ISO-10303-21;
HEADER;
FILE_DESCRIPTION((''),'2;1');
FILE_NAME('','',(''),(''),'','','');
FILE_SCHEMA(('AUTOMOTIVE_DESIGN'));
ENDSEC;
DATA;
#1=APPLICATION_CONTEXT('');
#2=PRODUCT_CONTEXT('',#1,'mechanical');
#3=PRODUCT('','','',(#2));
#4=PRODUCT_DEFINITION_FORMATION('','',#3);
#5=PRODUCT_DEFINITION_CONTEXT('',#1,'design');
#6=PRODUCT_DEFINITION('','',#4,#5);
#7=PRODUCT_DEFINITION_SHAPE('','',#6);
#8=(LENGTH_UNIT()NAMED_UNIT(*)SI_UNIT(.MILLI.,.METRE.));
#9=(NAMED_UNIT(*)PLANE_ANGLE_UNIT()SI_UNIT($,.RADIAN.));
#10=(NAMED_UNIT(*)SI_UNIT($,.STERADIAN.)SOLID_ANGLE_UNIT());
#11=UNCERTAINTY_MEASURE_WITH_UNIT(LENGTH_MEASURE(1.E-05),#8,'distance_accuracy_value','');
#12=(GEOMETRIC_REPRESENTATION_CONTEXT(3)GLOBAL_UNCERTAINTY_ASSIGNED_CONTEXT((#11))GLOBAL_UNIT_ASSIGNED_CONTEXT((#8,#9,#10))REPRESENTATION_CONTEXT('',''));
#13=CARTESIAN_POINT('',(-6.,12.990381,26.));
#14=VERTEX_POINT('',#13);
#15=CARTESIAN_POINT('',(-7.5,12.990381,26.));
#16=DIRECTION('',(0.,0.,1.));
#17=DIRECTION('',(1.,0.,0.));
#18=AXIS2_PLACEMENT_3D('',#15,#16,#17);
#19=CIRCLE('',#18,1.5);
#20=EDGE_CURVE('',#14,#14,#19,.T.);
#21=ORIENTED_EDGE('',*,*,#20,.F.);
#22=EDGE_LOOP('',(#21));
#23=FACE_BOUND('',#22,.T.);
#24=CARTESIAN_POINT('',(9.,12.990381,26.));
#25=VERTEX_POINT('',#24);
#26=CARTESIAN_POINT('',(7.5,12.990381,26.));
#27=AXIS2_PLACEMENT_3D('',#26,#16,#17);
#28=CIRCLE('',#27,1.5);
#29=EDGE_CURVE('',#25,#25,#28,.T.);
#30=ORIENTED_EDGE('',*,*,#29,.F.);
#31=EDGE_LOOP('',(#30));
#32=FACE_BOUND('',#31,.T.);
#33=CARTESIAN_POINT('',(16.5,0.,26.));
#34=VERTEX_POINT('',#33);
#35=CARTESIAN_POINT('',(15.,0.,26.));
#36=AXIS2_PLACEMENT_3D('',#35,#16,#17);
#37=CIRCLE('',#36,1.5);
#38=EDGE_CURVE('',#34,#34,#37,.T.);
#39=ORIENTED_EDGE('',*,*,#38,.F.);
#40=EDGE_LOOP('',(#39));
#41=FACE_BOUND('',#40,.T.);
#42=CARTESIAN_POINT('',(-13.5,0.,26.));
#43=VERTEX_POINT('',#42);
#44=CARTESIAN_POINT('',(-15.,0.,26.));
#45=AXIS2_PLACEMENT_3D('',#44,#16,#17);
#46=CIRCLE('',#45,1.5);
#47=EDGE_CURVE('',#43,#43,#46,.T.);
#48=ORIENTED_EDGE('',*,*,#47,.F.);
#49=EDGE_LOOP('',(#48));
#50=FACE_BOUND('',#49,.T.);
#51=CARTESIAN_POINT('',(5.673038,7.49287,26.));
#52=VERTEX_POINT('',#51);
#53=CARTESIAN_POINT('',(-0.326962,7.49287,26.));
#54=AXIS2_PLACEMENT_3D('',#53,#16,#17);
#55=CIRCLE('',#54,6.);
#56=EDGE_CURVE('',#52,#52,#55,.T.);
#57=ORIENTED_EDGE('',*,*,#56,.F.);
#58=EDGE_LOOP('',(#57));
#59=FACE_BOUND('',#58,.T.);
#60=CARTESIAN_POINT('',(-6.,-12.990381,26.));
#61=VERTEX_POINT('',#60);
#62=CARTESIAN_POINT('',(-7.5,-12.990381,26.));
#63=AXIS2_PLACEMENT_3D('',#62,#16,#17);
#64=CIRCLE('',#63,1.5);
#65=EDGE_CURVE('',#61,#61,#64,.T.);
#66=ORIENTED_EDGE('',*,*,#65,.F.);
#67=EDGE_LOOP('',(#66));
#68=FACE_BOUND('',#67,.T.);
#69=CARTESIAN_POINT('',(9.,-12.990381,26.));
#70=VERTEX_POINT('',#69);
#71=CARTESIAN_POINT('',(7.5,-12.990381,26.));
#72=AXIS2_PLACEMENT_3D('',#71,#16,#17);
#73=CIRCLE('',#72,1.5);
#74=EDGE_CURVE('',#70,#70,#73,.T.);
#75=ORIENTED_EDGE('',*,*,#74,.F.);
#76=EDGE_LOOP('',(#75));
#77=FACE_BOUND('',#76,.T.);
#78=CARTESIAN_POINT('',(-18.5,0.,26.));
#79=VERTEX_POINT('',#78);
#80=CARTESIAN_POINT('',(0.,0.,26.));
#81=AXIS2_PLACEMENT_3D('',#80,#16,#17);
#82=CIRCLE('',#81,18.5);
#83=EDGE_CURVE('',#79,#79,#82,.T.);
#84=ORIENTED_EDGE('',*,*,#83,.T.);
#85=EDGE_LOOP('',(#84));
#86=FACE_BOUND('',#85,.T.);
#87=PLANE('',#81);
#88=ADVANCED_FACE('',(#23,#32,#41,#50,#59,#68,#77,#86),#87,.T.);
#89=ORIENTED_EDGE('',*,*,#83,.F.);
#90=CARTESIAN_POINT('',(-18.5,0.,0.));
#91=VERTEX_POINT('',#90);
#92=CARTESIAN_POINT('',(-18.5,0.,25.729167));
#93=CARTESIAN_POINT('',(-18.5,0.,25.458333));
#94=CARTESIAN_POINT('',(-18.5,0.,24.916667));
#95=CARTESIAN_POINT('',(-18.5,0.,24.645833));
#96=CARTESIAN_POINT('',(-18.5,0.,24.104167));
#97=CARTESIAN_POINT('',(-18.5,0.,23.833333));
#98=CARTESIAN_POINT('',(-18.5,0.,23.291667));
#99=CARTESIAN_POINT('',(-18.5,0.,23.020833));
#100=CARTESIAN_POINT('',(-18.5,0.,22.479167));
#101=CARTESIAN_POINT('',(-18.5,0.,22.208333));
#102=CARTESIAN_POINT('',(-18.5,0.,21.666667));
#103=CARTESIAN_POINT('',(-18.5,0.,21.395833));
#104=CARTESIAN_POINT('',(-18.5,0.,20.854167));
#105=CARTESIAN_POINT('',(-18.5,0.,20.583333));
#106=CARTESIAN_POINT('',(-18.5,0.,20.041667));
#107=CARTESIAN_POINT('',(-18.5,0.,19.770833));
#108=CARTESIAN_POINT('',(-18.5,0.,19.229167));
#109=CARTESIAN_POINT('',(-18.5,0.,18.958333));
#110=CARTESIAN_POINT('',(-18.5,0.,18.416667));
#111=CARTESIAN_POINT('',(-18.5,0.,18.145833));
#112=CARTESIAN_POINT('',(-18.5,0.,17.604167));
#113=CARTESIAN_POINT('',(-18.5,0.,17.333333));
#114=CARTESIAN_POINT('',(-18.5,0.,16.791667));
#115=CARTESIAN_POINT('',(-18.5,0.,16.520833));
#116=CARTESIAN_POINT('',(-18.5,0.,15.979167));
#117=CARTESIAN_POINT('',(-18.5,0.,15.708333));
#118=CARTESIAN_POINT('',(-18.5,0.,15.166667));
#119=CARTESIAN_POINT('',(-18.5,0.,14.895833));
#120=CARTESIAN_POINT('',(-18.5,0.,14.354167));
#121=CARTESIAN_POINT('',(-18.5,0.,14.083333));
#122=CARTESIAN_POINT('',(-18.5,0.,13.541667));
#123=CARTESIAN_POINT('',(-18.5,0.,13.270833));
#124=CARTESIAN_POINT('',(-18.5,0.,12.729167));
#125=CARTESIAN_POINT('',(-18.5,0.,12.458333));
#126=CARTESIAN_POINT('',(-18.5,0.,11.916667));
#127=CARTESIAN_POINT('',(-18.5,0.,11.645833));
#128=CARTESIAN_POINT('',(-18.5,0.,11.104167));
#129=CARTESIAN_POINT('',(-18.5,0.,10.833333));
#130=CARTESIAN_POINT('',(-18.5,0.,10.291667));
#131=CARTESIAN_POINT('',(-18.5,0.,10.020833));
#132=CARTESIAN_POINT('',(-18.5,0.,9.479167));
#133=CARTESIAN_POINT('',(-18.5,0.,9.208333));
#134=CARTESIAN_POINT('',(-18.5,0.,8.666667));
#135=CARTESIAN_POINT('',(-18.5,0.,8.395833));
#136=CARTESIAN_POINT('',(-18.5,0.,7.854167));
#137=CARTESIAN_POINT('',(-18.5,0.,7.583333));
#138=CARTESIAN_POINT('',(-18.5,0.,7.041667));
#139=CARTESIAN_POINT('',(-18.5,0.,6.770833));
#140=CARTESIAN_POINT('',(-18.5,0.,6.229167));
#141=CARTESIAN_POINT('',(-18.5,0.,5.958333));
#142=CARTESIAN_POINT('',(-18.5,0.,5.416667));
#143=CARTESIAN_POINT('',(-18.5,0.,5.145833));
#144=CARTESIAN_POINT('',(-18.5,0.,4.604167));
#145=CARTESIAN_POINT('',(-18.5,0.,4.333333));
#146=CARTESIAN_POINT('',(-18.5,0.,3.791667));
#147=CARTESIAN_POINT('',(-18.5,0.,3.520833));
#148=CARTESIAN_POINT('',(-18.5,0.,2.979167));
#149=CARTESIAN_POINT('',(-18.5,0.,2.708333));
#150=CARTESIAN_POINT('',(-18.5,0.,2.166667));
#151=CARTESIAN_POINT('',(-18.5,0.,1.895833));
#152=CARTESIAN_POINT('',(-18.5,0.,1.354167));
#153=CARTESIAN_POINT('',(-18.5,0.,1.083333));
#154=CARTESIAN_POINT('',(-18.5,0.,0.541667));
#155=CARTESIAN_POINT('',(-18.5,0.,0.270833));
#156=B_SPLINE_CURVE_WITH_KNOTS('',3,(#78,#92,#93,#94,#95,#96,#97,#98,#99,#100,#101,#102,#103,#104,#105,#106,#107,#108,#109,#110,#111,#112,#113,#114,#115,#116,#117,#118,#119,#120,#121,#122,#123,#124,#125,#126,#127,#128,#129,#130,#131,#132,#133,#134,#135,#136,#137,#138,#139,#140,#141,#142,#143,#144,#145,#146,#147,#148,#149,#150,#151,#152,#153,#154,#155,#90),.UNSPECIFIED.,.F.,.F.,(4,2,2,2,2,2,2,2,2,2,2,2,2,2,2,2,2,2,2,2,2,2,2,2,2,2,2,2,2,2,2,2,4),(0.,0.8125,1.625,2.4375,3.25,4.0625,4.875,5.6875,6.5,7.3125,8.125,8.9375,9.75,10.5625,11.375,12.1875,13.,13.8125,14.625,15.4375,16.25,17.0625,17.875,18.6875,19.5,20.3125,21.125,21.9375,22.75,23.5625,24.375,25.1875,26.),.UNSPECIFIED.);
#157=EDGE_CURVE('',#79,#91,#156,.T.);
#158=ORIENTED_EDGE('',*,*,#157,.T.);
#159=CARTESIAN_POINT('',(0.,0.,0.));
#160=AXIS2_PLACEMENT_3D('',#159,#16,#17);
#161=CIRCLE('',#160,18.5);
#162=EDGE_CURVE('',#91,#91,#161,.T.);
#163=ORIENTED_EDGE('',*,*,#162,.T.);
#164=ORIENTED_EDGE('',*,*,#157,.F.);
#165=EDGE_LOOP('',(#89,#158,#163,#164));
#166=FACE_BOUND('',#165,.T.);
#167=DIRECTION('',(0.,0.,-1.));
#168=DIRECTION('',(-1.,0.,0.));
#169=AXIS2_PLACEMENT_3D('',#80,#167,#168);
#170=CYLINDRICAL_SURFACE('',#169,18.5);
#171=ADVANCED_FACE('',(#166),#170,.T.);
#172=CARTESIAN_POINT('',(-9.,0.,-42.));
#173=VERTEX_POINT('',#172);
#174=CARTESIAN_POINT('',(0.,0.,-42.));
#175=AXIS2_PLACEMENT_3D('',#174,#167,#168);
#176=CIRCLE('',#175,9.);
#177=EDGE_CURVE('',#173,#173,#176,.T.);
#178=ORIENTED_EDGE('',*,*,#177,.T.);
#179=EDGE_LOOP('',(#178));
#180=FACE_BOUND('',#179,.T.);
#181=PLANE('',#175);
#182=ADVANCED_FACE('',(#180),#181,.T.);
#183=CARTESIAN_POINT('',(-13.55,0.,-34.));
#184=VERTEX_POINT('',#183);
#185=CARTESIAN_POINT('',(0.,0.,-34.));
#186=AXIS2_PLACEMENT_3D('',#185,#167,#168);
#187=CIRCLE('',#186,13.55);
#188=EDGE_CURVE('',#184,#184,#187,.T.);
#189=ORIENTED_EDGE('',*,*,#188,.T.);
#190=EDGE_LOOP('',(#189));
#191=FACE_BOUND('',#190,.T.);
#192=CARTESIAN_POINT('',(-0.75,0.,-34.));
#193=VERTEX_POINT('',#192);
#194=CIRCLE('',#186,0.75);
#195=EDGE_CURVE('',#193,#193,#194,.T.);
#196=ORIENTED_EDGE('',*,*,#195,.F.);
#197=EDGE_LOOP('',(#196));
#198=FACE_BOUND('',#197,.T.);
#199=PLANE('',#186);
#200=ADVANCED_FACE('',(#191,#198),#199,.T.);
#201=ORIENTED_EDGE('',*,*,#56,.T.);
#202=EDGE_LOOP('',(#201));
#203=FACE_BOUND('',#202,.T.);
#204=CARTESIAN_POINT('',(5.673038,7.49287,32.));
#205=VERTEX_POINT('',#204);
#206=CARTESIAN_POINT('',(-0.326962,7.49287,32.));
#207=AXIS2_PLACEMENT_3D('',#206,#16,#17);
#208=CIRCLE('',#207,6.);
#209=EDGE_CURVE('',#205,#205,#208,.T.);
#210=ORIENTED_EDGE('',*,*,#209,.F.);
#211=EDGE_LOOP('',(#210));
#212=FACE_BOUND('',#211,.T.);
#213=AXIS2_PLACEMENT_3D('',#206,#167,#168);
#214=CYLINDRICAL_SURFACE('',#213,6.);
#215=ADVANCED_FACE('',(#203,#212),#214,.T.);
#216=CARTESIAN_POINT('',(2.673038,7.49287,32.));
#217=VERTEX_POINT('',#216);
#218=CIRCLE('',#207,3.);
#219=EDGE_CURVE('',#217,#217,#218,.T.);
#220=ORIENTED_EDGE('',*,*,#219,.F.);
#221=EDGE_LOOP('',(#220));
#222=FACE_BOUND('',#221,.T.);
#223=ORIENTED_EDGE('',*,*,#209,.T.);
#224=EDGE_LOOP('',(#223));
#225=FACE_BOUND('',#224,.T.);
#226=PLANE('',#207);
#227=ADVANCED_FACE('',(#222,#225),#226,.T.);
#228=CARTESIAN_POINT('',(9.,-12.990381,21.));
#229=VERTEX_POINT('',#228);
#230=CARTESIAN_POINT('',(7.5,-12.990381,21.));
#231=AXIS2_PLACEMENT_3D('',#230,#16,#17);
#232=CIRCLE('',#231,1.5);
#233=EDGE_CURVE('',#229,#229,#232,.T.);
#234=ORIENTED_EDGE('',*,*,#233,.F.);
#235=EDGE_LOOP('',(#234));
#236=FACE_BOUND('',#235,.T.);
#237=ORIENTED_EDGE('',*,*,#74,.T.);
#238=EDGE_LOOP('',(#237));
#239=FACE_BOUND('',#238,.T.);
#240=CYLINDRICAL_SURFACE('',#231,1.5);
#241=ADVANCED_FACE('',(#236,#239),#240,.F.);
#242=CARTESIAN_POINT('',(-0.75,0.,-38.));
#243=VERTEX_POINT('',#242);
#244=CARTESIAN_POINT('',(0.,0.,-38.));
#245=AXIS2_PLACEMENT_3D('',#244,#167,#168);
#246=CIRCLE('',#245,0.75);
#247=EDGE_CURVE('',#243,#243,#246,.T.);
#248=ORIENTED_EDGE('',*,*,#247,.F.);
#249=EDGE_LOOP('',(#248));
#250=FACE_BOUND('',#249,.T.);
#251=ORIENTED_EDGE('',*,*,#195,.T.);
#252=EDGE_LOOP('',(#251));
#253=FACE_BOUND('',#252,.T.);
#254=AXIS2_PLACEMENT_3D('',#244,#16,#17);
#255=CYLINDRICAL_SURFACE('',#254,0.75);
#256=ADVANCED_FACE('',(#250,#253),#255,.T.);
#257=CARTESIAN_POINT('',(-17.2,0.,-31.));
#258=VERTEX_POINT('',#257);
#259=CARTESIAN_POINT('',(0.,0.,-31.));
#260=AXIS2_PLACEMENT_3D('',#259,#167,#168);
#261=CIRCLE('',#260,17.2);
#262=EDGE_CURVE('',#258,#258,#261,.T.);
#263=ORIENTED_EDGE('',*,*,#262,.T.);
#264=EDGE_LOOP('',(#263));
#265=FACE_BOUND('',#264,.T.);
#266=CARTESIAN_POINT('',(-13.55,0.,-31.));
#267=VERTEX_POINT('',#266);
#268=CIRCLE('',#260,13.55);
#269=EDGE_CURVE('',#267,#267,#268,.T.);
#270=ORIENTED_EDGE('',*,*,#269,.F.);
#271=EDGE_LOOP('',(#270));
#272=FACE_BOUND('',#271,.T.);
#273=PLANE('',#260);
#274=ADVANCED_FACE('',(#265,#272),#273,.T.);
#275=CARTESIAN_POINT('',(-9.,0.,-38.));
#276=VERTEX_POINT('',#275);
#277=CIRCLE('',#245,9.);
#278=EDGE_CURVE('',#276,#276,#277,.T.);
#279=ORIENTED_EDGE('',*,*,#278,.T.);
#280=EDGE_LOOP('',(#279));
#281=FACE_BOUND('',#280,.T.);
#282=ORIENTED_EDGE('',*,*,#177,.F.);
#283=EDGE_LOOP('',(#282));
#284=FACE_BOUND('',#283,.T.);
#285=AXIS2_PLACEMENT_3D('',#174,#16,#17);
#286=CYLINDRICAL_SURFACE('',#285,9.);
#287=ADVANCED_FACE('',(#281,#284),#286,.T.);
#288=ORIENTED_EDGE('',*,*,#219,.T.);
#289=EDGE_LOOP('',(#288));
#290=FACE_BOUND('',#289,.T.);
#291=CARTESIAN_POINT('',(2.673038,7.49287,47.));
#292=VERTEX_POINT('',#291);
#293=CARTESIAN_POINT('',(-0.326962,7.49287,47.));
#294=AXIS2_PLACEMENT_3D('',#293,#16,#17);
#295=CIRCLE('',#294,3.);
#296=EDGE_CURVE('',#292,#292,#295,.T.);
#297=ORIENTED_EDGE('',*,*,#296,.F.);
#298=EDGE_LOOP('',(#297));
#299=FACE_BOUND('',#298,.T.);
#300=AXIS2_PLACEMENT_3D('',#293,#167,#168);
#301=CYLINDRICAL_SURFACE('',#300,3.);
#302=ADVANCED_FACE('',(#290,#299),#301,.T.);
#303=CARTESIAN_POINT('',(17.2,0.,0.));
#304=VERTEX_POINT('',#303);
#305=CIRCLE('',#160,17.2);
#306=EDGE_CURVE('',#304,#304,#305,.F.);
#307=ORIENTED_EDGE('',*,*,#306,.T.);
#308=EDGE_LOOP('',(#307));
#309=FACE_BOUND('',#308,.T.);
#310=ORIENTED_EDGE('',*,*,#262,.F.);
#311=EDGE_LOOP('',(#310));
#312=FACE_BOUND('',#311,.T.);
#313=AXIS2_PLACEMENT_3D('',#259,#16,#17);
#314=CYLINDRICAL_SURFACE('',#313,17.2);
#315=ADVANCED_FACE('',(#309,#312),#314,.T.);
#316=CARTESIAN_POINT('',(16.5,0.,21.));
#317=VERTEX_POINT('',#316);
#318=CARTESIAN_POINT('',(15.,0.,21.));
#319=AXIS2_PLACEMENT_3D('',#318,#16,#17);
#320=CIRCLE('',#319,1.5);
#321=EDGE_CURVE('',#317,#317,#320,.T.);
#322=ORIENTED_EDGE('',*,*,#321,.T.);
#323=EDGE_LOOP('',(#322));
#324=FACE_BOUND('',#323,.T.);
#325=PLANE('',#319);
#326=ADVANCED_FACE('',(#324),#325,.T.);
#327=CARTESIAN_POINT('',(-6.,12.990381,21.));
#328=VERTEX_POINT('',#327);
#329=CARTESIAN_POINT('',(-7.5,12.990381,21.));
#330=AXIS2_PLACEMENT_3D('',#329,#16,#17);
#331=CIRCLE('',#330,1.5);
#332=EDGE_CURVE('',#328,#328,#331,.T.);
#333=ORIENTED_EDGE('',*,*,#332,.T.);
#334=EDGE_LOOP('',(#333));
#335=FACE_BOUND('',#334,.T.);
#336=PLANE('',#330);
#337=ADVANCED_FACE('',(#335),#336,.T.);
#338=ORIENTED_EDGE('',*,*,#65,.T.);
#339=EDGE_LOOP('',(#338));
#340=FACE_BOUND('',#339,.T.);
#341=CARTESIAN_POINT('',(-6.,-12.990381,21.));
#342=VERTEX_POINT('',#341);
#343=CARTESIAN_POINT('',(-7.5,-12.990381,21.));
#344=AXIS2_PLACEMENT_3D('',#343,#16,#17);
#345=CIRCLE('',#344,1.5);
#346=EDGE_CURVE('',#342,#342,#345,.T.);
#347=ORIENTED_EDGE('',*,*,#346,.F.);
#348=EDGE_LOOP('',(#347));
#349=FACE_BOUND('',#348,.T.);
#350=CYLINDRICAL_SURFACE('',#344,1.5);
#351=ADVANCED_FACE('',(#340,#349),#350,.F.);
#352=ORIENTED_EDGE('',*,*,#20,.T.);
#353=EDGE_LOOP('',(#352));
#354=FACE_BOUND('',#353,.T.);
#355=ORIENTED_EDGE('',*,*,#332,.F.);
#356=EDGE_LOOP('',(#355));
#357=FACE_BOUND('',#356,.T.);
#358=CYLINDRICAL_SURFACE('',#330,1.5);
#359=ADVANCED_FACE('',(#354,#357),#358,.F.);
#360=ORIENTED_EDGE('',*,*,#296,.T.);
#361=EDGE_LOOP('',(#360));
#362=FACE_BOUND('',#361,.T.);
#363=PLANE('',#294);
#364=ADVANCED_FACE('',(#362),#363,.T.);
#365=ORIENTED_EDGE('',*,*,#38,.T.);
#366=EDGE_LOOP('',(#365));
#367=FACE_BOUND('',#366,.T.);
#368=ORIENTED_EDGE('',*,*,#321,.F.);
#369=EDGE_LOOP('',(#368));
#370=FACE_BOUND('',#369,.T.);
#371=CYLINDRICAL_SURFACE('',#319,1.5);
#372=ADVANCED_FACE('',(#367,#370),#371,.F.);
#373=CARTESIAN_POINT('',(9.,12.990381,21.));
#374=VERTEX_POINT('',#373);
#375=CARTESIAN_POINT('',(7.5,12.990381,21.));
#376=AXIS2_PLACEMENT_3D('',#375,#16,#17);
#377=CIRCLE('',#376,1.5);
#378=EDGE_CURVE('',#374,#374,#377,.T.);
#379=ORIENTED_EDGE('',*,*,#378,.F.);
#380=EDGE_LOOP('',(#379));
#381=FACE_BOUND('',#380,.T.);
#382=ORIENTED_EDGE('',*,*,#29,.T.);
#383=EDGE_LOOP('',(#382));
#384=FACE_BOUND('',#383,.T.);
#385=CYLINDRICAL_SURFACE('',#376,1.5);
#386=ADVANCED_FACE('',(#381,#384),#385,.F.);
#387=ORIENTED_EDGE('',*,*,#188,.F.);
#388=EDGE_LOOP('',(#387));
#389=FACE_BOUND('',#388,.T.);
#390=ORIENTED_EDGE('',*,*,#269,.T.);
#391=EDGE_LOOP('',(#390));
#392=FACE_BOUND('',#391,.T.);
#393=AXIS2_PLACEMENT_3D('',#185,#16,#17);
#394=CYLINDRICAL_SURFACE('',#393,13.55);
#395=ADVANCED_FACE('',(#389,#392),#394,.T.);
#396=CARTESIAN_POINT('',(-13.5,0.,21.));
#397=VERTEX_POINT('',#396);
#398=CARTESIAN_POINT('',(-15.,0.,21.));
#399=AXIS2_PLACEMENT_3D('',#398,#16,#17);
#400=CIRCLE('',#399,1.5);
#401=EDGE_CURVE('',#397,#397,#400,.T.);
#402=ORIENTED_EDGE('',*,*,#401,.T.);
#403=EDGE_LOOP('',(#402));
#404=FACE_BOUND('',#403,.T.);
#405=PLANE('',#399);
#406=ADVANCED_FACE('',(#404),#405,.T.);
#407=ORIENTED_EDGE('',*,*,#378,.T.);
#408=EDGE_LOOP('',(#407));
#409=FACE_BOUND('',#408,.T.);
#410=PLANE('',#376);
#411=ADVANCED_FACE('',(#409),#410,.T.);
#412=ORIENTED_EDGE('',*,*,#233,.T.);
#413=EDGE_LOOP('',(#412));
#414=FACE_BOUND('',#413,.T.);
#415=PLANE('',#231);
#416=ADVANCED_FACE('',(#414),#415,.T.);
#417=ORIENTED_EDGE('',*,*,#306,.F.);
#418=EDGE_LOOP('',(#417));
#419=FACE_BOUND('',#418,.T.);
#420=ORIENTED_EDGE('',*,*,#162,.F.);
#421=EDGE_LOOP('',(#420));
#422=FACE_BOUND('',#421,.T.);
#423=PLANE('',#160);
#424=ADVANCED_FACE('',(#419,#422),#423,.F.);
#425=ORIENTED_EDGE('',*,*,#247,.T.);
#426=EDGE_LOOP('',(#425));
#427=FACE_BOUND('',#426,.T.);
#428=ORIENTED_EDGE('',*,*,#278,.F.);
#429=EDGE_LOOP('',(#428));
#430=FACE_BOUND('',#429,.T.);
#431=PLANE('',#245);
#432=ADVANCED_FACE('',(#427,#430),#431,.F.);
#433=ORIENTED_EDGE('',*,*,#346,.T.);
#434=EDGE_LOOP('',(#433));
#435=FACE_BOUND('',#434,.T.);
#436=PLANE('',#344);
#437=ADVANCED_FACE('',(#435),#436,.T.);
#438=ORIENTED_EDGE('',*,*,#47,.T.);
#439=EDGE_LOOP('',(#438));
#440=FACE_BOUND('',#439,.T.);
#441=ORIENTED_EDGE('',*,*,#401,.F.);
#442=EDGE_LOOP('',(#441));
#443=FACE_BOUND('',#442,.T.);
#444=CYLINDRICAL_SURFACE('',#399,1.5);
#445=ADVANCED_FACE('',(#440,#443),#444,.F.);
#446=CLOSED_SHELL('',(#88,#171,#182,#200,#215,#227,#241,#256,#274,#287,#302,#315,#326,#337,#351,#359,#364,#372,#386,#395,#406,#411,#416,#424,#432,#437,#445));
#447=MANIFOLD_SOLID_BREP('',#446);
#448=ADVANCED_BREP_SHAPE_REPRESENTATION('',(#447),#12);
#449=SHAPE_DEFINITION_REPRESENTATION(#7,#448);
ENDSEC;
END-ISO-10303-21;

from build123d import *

# Parameters (mm, degrees)
ESQUISSE1_R             = 18.5
BOSS_EXTRU_1_DEPTH      = 26
ESQUISSE2_R             = 17.2
BOSS_EXTRU_2_DEPTH      = 31
ESQUISSE3_R             = 13.55
BOSS_EXTRU_3_DEPTH      = 3
ESQUISSE4_R             = 0.75
BOSS_EXTRU_4_DEPTH      = 4
ESQUISSE5_R             = 9
BOSS_EXTRU_5_DEPTH      = 4
ESQUISSE6_R             = 6
BOSS_EXTRU_7_DEPTH      = 6
ESQUISSE8_R             = 3
BOSS_EXTRU_8_DEPTH      = 15
ESQUISSE9_R             = 1.5
ENL_V_MAT_EXTRU_4_DEPTH = 5


with BuildPart() as part:
    # Esquisse1 → Boss.-Extru.1 (new body)
    with BuildSketch(Plane.XY):
        with Locations(Location((0, 0, 0), (0, 0, 180))):
            Circle(ESQUISSE1_R)
    extrude(amount=BOSS_EXTRU_1_DEPTH)

    # Esquisse2 → Boss.-Extru.2 (add)
    with BuildSketch(Plane(origin=(0, 0, 0), x_dir=(-1, 0, 0), z_dir=(0, 0, -1))):
        with Locations(Location((0, 0, 0), (0, 0, 180))):
            Circle(ESQUISSE2_R)
    extrude(amount=BOSS_EXTRU_2_DEPTH)

    # Esquisse3 → Boss.-Extru.3 (add)
    with BuildSketch(Plane(origin=(0, 0, -31), x_dir=(-1, 0, 0), z_dir=(0, 0, -1))):
        Circle(ESQUISSE3_R)
    extrude(amount=BOSS_EXTRU_3_DEPTH)

    # Esquisse4 → Boss.-Extru.4 (add)
    with BuildSketch(Plane(origin=(0, 0, -34), x_dir=(-1, 0, 0), z_dir=(0, 0, -1))):
        Circle(ESQUISSE4_R)
    extrude(amount=BOSS_EXTRU_4_DEPTH)

    # Esquisse5 → Boss.-Extru.5 (add)
    with BuildSketch(Plane(origin=(0, 0, -38), x_dir=(-1, 0, 0), z_dir=(0, 0, -1))):
        Circle(ESQUISSE5_R)
    extrude(amount=BOSS_EXTRU_5_DEPTH)

    # Esquisse6 → Boss.-Extru.7 (add)
    with BuildSketch(Plane.XY.offset(26)):
        with Locations((-0.326961586, 7.492869685)):
            Circle(ESQUISSE6_R)
    extrude(amount=BOSS_EXTRU_7_DEPTH)

    # Esquisse8 → Boss.-Extru.8 (add)
    with BuildSketch(Plane.XY.offset(32)):
        with Locations((-0.326961586, 7.492869685)):
            Circle(ESQUISSE8_R)
    extrude(amount=BOSS_EXTRU_8_DEPTH)

    # Esquisse9 → Enlèv. mat.-Extru.4 (cut)
    with BuildSketch(Plane.XY.offset(26)):
        with Locations((15, 0)):
            Circle(ESQUISSE9_R)
        with Locations((7.5, -12.990381057)):
            Circle(ESQUISSE9_R)
        with Locations((-7.5, -12.990381057)):
            Circle(ESQUISSE9_R)
        with Locations((-15, 0)):
            Circle(ESQUISSE9_R)
        with Locations((-7.5, 12.990381057)):
            Circle(ESQUISSE9_R)
        with Locations((7.5, 12.990381057)):
            Circle(ESQUISSE9_R)
    extrude(amount=-ENL_V_MAT_EXTRU_4_DEPTH, mode=Mode.SUBTRACT)


solid = part.part
